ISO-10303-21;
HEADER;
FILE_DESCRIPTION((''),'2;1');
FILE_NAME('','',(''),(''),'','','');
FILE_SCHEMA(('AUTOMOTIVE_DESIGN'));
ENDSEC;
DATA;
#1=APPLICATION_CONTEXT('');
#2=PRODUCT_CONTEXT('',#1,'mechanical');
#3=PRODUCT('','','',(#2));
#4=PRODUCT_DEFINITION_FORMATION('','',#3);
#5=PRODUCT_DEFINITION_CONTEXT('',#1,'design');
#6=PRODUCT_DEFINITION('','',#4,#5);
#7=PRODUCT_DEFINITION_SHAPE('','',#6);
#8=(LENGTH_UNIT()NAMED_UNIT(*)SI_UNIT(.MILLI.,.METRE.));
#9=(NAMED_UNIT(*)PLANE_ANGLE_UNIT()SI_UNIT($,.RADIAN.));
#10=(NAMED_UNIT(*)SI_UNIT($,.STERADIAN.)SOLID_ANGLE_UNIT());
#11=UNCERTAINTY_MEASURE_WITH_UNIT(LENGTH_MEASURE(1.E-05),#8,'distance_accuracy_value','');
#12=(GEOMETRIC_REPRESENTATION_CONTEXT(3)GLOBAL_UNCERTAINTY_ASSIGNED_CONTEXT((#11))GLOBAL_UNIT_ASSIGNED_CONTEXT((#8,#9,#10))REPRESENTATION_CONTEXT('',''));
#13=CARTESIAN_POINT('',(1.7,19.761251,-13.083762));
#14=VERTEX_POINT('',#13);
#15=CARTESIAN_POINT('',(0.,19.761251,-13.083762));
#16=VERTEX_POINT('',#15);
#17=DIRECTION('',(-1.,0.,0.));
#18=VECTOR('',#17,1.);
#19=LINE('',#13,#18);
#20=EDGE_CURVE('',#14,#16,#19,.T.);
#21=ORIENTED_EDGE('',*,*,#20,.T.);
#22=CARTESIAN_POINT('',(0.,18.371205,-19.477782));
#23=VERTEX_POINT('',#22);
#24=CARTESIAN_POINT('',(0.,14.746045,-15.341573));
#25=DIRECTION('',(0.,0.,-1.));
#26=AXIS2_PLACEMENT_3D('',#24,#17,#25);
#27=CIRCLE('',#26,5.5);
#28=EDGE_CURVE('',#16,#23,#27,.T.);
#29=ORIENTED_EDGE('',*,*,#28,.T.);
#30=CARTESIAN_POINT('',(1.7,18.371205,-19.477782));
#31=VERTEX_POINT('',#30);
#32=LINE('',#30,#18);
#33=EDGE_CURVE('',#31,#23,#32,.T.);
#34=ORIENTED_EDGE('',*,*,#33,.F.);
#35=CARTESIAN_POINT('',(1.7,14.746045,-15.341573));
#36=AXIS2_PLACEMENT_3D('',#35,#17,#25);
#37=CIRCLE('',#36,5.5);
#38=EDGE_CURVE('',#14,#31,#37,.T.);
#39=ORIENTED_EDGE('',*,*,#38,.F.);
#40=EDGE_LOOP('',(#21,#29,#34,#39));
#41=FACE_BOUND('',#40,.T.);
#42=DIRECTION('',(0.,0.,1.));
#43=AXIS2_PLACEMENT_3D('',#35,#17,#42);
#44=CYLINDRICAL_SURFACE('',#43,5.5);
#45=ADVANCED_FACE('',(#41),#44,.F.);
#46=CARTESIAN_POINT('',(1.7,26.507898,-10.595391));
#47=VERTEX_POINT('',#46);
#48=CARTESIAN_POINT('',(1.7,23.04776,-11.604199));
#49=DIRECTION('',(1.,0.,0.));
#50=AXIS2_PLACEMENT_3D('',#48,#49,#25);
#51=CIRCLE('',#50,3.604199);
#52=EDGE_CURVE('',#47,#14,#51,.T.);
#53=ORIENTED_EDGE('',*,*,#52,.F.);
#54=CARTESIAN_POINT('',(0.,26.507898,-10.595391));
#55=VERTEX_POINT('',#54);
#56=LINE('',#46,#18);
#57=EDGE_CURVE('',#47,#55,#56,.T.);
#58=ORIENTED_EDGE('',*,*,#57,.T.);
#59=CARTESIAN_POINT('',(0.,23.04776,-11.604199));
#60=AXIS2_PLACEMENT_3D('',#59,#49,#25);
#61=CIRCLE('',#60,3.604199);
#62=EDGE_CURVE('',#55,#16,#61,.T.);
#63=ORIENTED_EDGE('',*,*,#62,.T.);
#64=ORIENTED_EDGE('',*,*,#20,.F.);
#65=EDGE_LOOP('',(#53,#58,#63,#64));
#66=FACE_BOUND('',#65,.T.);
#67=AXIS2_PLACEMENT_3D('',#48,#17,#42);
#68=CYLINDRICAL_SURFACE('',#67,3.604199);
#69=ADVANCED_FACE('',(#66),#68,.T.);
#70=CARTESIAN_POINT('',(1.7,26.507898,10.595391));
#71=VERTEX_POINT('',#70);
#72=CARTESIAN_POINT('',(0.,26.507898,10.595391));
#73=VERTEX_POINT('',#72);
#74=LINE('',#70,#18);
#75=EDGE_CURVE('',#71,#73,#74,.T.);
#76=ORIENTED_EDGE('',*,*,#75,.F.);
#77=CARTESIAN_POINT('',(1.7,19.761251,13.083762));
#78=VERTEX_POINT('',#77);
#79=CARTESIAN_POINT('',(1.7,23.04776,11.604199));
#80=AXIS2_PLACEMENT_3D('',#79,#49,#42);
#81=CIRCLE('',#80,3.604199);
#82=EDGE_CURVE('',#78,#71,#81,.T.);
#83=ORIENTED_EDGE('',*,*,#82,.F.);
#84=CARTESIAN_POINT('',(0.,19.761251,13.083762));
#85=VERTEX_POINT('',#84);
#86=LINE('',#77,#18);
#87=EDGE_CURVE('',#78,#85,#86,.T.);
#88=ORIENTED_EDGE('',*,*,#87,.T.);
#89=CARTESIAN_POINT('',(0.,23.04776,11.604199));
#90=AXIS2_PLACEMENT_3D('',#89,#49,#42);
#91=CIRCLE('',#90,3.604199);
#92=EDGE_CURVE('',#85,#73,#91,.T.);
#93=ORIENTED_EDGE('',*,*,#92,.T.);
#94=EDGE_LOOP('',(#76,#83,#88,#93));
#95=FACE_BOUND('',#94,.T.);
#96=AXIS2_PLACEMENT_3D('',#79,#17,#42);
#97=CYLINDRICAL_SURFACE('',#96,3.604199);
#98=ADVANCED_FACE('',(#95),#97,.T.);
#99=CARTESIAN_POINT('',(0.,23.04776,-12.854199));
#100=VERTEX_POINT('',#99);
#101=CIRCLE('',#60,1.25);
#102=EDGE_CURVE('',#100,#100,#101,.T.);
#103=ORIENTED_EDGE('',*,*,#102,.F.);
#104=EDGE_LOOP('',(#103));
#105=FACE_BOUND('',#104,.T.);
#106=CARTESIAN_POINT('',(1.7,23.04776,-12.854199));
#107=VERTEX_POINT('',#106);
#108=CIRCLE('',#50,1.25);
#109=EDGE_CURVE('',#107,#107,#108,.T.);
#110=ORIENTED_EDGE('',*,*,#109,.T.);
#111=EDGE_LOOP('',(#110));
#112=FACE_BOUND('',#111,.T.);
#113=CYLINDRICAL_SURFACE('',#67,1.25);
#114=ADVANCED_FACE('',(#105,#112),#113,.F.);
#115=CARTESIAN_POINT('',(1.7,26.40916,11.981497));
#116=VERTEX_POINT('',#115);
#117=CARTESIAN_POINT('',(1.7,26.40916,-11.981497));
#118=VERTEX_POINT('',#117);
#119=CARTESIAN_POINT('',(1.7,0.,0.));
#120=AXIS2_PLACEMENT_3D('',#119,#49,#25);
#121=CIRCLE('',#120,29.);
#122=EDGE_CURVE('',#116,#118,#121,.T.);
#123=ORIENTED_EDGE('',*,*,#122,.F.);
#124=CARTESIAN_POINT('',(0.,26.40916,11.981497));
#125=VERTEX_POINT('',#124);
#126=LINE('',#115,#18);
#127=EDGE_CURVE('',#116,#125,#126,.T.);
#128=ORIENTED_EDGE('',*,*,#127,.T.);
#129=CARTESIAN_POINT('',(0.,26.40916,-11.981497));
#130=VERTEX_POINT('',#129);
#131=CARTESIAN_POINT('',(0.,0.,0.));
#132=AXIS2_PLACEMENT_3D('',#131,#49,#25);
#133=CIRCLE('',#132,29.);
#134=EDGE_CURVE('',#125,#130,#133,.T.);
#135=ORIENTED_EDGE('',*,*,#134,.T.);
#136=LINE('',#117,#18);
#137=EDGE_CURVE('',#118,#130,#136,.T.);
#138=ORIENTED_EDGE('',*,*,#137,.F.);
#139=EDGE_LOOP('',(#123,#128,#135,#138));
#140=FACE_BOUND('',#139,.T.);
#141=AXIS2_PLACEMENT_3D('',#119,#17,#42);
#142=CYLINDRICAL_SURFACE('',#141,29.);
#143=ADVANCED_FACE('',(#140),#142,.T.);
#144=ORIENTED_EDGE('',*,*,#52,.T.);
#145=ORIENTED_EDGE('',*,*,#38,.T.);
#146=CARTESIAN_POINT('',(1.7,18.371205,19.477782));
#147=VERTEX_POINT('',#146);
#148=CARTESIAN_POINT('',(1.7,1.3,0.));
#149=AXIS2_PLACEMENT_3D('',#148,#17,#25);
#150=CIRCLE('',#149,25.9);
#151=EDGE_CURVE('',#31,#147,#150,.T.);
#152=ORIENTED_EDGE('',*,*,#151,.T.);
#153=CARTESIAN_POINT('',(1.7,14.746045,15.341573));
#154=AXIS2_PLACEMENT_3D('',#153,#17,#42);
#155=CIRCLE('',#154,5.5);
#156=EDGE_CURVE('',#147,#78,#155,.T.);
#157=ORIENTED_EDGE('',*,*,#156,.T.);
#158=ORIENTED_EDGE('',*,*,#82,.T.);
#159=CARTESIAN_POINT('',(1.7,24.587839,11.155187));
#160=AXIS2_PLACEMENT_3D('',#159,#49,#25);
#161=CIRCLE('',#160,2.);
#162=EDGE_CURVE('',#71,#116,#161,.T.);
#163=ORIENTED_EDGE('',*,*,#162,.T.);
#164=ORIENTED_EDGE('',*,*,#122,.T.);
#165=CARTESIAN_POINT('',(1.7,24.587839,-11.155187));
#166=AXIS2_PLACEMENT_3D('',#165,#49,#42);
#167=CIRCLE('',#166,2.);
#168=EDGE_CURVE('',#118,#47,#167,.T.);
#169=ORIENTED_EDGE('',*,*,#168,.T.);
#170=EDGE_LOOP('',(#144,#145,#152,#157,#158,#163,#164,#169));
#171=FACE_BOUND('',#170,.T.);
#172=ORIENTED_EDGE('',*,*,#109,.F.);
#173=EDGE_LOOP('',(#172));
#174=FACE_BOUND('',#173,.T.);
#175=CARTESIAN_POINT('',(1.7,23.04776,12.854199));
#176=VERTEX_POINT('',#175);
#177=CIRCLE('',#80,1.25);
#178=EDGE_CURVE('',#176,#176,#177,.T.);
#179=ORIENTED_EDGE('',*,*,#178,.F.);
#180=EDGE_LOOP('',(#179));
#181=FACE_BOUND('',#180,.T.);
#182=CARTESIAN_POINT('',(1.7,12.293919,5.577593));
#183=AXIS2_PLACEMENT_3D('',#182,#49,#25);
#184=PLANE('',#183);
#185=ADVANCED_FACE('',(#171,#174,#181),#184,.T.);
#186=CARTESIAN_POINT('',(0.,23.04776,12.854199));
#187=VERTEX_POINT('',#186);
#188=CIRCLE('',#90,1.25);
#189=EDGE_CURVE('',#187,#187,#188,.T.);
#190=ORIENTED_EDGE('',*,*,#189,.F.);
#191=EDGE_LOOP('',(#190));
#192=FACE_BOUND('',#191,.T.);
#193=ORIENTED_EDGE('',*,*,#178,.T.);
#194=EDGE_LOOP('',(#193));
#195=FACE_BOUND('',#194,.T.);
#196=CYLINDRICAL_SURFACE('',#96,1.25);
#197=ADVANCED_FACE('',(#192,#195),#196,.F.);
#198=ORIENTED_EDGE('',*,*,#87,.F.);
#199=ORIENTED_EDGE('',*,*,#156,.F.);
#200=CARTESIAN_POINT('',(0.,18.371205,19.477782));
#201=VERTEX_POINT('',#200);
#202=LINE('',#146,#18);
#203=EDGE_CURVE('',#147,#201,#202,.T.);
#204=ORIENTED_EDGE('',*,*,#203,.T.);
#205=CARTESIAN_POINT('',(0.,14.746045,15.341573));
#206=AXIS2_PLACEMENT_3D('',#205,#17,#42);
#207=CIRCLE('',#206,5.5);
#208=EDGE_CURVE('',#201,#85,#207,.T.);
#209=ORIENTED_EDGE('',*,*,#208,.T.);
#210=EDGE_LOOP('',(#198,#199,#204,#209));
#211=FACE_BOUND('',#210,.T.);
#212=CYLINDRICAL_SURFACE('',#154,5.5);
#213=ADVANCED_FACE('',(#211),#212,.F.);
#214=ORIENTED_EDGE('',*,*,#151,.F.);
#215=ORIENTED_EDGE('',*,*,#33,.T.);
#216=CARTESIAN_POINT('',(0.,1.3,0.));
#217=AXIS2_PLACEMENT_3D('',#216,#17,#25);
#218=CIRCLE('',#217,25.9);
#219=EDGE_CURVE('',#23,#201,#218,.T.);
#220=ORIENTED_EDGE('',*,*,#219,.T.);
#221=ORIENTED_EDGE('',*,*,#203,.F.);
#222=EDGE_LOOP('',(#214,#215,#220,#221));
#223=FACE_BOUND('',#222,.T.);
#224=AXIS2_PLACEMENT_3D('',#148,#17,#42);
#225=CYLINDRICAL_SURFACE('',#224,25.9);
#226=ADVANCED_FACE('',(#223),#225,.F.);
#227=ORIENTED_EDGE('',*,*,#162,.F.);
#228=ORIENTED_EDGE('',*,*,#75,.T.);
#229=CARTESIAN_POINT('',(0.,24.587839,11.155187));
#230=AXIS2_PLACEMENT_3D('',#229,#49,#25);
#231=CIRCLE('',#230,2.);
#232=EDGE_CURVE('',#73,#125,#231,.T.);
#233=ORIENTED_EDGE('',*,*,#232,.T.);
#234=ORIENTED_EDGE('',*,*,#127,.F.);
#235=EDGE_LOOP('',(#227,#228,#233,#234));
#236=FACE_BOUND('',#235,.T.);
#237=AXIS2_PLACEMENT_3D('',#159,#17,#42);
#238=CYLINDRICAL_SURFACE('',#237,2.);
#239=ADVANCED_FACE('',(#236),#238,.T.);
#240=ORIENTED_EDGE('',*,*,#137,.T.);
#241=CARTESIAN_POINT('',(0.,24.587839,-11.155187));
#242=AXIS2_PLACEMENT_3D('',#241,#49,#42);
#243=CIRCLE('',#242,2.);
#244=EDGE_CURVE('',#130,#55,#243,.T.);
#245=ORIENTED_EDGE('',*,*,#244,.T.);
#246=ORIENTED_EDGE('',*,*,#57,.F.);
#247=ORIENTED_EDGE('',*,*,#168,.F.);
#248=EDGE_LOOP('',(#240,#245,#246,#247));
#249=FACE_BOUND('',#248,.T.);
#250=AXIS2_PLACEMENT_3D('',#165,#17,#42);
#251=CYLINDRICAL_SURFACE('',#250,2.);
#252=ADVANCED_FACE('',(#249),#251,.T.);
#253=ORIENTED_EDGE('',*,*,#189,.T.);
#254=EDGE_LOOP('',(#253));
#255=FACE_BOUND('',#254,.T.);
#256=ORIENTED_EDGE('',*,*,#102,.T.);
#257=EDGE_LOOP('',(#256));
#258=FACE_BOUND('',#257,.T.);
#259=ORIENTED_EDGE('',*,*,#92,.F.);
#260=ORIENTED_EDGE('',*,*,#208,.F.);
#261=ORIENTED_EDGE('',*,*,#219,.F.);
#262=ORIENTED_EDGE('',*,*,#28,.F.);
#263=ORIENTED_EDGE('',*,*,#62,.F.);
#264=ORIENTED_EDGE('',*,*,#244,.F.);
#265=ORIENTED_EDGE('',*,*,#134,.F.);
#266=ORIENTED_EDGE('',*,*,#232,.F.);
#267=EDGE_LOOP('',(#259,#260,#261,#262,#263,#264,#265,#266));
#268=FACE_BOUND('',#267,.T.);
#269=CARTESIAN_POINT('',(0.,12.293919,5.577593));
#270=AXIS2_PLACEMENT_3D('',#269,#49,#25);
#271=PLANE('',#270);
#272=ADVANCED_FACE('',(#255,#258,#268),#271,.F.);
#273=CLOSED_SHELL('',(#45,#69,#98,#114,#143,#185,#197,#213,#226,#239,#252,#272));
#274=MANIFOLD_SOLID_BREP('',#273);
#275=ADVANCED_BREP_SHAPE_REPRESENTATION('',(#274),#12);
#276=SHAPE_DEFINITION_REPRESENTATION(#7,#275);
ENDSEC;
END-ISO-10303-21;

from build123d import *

# Parameters (mm, degrees)
SKETCH_1_R      = 1.25
EXTRUDE_1_DEPTH = 1.7


with BuildPart() as part:
    # Эскиз1 → Бобышка-Вытянуть1 (new body)
    with BuildSketch(Plane(origin=(0, 0, 0), x_dir=(0, 0, -1), z_dir=(1, 0, 0))):
        with BuildLine():
            ThreePointArc((-11.981496808, 26.409160044), (0, -29), (11.981496808, 26.409160044))
            ThreePointArc((11.981496808, 26.409160044), (11.297294852, 26.58278359), (10.595390573, 26.507898118))
            ThreePointArc((10.595390573, 26.507898118), (8.222673438, 21.800549137), (13.083762294, 19.761251179))
            ThreePointArc((13.083762294, 19.761251179), (16.509970242, 20.120507878), (19.47778158, 18.371204548))
            ThreePointArc((19.47778158, 18.371204548), (0, -24.6), (-19.47778158, 18.371204548))
            ThreePointArc((-19.47778158, 18.371204548), (-16.509970242, 20.120507878), (-13.083762294, 19.761251179))
            ThreePointArc((-13.083762294, 19.761251179), (-8.222673438, 21.800549137), (-10.595390573, 26.507898118))
            ThreePointArc((-10.595390573, 26.507898118), (-11.297294852, 26.58278359), (-11.981496808, 26.409160044))
        make_face()
        with Locations((11.604198811, 23.047760113)):
            Circle(SKETCH_1_R, mode=Mode.SUBTRACT)
        with Locations((-11.604198811, 23.047760113)):
            Circle(SKETCH_1_R, mode=Mode.SUBTRACT)
    extrude(amount=EXTRUDE_1_DEPTH)


solid = part.part
